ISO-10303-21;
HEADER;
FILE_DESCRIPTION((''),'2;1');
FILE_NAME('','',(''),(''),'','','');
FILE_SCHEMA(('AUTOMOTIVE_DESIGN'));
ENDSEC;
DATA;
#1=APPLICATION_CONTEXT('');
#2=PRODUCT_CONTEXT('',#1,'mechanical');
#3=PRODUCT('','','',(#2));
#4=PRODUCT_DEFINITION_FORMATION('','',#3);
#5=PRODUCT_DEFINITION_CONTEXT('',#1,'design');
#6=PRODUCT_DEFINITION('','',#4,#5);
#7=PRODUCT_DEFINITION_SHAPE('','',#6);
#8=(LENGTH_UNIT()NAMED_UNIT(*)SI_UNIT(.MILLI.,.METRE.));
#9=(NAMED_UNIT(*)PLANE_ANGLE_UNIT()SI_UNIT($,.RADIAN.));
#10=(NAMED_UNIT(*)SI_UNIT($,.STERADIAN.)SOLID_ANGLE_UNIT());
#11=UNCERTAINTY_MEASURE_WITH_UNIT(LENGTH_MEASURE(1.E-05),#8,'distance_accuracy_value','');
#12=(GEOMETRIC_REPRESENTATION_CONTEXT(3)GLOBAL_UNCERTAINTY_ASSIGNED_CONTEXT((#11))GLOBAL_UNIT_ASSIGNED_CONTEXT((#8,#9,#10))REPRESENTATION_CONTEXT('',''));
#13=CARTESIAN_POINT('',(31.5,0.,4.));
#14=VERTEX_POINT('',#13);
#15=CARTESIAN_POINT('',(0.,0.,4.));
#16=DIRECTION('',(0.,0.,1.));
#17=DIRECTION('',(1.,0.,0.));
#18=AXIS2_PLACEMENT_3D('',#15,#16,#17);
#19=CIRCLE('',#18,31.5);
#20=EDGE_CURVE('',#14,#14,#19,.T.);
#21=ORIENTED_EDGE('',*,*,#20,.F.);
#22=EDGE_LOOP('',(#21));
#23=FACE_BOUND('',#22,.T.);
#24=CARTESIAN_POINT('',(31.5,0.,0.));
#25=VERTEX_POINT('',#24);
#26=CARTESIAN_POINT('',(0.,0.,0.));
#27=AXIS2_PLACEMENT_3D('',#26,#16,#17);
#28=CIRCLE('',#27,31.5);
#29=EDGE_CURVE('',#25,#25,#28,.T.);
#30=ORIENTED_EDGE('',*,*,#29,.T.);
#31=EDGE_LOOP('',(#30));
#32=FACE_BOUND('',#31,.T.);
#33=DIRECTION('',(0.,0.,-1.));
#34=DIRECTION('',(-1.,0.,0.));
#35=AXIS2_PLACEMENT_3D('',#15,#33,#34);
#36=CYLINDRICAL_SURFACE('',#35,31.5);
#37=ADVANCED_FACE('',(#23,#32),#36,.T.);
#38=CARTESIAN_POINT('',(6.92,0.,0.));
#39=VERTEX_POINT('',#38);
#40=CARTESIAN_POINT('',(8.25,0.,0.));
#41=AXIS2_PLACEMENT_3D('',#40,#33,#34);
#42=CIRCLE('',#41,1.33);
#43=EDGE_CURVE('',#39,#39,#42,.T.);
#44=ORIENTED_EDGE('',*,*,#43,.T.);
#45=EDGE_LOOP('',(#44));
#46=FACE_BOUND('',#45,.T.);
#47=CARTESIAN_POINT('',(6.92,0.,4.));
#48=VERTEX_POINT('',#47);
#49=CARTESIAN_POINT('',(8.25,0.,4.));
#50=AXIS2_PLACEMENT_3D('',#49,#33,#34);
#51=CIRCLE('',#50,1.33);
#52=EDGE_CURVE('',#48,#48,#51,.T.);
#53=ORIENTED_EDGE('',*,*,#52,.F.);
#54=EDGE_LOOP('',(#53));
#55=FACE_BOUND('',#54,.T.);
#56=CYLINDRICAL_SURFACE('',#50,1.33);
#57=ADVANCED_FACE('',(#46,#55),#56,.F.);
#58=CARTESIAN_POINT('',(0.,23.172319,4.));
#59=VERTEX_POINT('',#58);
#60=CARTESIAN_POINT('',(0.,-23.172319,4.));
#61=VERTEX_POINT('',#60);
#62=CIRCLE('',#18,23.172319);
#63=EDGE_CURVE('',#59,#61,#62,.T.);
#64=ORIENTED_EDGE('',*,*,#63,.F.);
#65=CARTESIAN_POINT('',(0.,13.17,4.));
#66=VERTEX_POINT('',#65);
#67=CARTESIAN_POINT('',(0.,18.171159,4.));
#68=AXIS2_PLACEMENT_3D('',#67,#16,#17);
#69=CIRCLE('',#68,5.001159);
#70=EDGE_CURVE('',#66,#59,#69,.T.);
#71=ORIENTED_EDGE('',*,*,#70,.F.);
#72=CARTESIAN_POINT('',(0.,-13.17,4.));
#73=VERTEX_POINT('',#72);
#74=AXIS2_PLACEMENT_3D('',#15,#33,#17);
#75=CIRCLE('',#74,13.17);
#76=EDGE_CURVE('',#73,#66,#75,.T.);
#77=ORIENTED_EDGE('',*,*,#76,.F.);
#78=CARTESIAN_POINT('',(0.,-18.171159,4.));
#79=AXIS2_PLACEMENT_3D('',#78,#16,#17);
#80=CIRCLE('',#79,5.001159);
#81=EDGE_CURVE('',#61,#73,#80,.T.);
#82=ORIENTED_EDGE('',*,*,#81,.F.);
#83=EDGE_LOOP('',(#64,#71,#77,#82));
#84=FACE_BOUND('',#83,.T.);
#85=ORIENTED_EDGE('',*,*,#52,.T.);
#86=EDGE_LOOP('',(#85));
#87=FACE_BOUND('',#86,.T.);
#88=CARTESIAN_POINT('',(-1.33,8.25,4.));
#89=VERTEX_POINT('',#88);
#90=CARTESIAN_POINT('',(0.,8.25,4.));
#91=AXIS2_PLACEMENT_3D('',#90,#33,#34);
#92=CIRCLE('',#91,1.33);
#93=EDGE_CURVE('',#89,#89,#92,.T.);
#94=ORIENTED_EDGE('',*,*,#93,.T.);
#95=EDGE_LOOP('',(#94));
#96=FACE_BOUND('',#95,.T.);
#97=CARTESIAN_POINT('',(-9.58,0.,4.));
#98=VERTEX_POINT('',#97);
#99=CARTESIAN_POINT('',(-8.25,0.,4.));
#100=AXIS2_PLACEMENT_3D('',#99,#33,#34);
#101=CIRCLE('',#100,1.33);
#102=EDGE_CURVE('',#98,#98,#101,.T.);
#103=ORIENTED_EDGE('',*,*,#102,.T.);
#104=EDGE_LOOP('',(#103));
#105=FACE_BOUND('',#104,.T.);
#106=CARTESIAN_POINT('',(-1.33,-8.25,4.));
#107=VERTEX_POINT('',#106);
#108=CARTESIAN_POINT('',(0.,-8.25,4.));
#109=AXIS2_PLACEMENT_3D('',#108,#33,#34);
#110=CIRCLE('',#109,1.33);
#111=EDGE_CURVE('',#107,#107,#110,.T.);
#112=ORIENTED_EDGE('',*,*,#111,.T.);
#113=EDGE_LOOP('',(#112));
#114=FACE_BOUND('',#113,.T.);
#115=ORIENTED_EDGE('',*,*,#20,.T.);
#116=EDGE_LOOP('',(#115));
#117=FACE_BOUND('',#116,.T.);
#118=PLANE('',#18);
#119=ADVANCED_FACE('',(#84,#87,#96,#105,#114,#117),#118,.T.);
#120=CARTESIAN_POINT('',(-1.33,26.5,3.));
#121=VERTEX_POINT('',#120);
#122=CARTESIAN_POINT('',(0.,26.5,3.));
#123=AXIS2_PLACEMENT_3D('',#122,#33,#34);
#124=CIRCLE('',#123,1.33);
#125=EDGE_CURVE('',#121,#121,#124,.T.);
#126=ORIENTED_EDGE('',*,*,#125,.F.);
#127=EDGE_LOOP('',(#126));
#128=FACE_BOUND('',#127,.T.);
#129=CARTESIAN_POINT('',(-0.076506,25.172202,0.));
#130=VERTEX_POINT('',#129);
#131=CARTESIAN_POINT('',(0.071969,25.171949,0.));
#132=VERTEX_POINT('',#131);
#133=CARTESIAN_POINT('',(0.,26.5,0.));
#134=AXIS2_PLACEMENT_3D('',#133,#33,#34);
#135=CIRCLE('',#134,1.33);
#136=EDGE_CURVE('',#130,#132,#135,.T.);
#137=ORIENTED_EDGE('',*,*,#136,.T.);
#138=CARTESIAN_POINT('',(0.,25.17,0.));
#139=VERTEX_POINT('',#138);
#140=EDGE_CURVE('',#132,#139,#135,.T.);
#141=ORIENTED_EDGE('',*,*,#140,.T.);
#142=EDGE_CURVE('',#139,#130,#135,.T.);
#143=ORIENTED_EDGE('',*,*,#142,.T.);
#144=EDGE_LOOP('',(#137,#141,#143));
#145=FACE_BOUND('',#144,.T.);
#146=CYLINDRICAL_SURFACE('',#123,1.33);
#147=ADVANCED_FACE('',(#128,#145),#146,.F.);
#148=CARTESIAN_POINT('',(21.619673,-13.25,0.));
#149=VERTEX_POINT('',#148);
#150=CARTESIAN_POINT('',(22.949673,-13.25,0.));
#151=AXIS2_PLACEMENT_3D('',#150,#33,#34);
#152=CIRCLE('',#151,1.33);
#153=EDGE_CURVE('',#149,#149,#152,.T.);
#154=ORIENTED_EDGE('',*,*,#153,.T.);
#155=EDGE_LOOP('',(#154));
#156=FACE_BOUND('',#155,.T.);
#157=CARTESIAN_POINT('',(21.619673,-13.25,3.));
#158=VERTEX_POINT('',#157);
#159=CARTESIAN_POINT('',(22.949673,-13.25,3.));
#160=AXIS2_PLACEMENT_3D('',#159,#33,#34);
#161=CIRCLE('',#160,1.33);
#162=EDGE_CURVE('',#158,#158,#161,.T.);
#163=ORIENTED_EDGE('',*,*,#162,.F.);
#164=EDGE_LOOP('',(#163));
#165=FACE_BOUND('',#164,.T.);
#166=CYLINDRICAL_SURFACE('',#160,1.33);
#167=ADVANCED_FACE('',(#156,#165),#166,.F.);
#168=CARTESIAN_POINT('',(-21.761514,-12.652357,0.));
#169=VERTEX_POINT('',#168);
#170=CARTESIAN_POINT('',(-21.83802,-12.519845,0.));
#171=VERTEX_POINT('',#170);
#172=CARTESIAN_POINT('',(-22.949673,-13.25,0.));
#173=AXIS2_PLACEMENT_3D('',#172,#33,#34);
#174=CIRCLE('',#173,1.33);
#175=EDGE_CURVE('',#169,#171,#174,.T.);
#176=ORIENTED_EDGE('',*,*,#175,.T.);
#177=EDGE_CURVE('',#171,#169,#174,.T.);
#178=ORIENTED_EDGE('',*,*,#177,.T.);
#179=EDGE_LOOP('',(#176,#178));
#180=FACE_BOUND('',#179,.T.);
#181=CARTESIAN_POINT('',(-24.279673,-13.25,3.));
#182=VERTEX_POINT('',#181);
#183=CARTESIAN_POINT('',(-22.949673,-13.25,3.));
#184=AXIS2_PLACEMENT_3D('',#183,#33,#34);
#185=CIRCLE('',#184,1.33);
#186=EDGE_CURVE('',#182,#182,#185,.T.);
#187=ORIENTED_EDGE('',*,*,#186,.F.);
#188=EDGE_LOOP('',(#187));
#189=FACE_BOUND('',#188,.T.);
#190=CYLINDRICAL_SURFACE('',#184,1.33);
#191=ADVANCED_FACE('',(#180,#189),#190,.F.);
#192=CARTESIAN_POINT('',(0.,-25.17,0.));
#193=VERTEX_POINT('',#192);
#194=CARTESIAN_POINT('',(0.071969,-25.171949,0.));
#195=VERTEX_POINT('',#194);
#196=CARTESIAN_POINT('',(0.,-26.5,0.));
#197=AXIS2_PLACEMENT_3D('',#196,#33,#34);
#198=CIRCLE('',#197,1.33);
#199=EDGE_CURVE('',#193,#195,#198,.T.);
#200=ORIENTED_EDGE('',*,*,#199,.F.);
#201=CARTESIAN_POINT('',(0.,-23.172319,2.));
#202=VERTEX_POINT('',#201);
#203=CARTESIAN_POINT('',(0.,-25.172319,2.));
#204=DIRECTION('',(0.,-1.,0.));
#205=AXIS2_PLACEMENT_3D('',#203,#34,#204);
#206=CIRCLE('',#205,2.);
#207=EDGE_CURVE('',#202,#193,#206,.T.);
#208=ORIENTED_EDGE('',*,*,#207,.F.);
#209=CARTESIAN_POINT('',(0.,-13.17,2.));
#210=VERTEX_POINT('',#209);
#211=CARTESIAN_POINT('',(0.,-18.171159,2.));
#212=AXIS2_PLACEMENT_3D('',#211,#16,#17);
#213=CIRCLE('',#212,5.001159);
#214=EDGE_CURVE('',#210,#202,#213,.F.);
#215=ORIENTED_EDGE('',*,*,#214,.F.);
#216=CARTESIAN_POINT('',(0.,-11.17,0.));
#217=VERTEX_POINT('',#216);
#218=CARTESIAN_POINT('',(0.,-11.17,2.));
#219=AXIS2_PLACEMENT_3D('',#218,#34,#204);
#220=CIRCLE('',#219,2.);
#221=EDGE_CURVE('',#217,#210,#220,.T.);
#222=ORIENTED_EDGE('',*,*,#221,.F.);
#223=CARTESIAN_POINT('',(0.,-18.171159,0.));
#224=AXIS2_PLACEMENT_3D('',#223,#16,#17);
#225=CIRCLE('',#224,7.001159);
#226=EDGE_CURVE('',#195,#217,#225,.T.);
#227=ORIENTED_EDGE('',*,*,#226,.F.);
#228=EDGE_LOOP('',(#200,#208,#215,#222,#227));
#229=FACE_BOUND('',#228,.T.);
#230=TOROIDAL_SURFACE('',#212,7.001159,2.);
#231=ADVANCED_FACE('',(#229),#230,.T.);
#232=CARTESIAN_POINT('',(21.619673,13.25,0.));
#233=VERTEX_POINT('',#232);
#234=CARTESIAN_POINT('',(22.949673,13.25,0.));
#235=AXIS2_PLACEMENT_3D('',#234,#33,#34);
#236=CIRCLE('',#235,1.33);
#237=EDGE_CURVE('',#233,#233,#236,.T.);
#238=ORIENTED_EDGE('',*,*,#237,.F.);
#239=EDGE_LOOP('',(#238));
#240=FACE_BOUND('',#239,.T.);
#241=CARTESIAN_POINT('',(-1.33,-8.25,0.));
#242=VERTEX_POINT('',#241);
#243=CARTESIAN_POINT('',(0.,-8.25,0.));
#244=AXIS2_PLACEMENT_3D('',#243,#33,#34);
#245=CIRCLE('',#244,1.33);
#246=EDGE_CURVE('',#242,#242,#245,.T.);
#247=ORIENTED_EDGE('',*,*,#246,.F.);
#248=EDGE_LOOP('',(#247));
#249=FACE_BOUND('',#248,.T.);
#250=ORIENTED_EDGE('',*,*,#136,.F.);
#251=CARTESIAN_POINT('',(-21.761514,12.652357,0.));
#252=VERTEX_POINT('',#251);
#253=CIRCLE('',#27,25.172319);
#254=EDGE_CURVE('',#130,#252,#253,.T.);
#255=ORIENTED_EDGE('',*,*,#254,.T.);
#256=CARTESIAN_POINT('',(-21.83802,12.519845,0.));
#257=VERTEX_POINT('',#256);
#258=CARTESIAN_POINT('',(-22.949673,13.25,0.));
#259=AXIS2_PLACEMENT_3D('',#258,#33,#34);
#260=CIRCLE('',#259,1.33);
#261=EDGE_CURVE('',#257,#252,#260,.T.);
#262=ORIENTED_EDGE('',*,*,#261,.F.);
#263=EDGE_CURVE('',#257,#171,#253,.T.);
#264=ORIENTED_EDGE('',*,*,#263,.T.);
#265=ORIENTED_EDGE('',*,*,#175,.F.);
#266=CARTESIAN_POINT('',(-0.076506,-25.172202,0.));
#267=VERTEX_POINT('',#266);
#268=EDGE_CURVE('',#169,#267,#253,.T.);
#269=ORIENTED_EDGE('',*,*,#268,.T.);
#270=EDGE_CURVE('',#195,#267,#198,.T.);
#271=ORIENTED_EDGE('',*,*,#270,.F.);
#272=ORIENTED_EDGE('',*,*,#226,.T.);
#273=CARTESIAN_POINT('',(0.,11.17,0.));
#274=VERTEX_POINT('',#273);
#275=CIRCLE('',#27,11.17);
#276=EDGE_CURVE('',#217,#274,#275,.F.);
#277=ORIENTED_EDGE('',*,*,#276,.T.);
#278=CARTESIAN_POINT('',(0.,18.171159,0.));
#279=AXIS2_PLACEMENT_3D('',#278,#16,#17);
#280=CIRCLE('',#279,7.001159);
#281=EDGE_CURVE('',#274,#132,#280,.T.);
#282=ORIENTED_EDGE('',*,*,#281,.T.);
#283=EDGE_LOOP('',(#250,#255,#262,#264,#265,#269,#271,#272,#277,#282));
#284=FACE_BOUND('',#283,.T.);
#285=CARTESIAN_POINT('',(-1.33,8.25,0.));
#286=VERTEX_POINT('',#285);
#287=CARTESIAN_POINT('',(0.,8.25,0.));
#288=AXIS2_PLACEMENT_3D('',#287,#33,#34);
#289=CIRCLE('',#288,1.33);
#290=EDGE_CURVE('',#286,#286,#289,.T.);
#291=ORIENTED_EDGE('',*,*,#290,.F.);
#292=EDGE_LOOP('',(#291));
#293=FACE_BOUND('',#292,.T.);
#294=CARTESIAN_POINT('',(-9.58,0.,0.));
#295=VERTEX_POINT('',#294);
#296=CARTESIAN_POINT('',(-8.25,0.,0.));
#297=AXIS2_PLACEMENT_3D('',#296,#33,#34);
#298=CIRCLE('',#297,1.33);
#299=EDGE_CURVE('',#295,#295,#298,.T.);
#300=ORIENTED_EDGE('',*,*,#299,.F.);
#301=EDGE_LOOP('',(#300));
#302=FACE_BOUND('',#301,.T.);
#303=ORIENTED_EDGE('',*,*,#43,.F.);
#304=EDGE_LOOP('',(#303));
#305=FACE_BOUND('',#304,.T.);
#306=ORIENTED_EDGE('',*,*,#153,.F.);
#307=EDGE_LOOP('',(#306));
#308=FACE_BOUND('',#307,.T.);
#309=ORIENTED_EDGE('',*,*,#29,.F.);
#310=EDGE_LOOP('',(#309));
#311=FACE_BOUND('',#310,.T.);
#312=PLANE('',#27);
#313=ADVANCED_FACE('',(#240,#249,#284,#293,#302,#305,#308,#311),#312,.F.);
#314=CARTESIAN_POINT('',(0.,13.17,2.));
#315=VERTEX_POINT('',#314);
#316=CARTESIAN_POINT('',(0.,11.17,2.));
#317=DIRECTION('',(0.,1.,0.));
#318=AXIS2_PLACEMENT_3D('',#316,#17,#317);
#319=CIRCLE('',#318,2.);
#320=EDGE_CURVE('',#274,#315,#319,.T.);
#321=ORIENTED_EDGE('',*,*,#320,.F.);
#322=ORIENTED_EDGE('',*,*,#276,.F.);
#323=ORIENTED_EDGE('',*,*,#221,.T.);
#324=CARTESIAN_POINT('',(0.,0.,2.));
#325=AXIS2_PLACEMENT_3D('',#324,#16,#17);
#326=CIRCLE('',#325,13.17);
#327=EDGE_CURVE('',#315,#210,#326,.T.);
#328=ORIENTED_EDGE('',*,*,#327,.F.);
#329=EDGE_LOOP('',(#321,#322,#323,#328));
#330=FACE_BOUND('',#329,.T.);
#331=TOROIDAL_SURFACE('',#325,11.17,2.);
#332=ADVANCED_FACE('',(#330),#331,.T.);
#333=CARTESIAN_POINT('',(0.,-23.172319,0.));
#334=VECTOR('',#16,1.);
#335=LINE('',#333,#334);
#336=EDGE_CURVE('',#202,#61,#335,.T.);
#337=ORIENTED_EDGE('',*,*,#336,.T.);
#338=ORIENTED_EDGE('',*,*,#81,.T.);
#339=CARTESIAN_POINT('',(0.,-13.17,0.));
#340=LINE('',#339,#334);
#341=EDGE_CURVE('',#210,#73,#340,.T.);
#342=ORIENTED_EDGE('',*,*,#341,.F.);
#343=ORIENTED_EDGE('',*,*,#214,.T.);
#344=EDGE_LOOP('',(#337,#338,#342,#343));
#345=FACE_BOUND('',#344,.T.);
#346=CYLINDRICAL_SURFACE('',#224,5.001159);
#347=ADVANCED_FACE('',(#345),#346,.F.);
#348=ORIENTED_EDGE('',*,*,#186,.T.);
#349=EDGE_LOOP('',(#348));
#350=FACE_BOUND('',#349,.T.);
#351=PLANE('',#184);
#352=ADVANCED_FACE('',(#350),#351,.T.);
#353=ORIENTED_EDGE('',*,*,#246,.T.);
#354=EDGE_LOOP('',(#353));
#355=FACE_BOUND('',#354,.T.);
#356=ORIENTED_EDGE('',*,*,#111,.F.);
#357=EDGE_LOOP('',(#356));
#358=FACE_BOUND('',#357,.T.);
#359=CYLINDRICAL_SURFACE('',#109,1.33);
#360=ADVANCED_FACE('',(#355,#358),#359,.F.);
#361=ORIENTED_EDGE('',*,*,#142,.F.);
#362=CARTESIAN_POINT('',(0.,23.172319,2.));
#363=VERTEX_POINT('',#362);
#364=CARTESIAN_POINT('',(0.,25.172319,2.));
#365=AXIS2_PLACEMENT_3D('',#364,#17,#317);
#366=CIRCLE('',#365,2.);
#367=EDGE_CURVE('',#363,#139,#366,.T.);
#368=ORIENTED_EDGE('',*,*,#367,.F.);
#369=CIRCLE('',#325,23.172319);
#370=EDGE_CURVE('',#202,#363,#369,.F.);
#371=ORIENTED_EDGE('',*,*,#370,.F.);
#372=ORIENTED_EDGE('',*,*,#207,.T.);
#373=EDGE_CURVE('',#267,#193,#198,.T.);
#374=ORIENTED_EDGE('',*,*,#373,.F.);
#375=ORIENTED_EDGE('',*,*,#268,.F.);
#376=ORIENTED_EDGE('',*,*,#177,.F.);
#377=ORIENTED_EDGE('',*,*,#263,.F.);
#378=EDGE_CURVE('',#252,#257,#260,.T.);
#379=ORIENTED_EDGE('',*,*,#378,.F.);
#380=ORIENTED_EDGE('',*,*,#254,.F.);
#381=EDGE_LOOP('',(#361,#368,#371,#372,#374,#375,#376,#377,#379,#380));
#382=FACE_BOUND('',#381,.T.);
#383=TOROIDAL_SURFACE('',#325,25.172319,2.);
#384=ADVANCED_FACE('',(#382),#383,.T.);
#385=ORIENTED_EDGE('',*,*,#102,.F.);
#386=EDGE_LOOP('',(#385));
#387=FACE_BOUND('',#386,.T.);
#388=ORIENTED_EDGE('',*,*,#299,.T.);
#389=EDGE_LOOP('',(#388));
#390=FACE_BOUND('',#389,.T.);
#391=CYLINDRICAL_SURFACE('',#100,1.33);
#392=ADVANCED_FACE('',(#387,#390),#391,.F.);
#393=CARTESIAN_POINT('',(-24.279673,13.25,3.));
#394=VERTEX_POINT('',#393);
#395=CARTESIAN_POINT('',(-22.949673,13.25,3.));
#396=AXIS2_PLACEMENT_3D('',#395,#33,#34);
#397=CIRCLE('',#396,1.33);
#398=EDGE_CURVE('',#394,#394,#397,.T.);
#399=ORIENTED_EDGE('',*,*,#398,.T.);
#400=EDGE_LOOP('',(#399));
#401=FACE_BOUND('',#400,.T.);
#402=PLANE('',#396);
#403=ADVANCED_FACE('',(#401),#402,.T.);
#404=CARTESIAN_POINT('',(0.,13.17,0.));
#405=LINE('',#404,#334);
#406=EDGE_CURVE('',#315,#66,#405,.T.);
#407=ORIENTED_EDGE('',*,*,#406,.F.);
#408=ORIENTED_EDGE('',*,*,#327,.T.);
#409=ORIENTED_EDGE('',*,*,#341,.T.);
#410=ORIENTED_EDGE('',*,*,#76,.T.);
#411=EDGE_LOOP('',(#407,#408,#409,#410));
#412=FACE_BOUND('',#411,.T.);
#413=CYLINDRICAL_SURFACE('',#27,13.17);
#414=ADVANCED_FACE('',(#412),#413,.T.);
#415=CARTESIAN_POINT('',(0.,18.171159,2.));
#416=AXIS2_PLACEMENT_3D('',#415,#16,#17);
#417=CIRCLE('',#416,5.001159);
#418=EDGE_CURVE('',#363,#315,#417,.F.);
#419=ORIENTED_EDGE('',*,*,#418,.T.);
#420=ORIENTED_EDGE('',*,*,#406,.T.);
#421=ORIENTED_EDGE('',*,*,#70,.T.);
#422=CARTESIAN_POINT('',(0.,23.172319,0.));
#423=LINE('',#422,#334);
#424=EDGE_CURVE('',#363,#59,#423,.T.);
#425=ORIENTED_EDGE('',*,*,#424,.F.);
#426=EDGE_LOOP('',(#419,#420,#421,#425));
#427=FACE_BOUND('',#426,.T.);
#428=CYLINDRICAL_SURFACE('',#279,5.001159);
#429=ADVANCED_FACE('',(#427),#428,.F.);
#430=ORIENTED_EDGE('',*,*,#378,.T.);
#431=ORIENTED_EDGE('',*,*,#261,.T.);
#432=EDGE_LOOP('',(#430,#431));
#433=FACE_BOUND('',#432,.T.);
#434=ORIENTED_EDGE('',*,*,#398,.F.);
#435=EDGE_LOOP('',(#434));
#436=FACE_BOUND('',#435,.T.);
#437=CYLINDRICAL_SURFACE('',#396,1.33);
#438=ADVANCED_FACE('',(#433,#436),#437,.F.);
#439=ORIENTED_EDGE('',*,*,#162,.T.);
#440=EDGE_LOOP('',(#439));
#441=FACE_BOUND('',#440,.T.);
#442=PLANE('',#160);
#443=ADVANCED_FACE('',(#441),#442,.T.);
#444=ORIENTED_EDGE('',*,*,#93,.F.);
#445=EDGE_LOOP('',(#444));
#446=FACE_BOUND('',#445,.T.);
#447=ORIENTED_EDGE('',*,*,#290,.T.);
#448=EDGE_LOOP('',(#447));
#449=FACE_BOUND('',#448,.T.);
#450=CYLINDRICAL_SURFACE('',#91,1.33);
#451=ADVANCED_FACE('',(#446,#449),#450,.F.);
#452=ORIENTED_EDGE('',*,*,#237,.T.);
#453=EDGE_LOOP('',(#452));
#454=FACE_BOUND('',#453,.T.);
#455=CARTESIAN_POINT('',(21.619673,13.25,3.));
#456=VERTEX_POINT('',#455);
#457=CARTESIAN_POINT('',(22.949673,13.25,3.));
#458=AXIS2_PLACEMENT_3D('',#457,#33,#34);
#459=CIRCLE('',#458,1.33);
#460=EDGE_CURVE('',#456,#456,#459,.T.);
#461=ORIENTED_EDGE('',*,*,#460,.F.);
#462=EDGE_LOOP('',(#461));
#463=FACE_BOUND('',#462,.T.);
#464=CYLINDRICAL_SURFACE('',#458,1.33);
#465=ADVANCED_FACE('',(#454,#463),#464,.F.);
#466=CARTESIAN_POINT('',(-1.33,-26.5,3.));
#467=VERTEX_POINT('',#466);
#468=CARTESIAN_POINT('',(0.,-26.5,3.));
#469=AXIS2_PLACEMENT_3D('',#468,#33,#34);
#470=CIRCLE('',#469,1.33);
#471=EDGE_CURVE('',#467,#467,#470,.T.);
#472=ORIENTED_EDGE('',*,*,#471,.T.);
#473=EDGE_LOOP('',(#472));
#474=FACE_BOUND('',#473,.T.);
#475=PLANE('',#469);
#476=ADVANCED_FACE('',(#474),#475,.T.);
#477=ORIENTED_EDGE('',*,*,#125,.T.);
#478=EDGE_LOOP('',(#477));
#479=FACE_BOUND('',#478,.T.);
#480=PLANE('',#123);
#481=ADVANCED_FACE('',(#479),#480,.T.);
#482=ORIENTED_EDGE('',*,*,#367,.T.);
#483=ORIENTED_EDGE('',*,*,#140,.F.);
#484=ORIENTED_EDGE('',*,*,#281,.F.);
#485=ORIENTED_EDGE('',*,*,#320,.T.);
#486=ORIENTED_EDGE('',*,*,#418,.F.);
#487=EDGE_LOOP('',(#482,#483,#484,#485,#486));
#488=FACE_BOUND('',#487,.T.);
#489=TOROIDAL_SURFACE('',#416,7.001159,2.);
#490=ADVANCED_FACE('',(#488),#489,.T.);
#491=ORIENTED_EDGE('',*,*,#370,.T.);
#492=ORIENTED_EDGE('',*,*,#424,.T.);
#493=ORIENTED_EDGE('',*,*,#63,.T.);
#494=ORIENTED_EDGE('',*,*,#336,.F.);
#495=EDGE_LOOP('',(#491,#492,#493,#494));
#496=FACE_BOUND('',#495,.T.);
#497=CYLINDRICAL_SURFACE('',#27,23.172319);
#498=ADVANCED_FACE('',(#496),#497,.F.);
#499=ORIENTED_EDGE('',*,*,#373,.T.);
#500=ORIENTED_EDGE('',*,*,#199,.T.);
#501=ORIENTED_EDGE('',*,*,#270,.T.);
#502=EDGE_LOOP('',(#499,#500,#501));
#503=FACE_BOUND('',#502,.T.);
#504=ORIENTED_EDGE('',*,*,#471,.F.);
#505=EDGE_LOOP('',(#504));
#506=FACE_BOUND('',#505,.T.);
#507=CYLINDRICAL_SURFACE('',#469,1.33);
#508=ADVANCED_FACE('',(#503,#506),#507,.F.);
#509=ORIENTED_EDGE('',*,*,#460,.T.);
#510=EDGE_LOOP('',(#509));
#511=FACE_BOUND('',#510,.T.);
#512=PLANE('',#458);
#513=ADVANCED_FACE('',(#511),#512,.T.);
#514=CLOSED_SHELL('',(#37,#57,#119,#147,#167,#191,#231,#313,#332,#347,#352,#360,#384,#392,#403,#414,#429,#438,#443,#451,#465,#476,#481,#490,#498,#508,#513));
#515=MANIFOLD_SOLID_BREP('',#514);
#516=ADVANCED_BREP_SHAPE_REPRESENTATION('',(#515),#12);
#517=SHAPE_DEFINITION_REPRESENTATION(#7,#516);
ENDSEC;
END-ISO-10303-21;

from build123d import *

# Parameters (mm, degrees)
SKETCH1_R              = 31.5
ELBOW_PLATE_DEPTH      = 4
SKETCH2_R              = 1.33
HORN_SCREW_HOLES_DEPTH = 4
SKETCH3_R              = 1.33
SCREW_HOLES_DEPTH      = 3
CABLE_SLOT_DEPTH       = 4
FILLET1_R              = 2


with BuildPart() as part:
    # Sketch1 → Elbow Plate (new body)
    with BuildSketch(Plane.XY):
        Circle(SKETCH1_R)
    extrude(amount=ELBOW_PLATE_DEPTH)

    # Sketch2 → Horn Screw Holes (cut)
    with BuildSketch(Plane(origin=(0, 0, 0), x_dir=(-1, 0, 0), z_dir=(0, 0, -1))):
        with Locations((0, 8.25)):
            Circle(SKETCH2_R)
        with Locations((8.25, 0)):
            Circle(SKETCH2_R)
        with Locations((0, -8.25)):
            Circle(SKETCH2_R)
        with Locations((-8.25, 0)):
            Circle(SKETCH2_R)
    extrude(amount=-HORN_SCREW_HOLES_DEPTH, mode=Mode.SUBTRACT)

    # Sketch3 → Screw Holes (cut)
    with BuildSketch(Plane(origin=(0, 0, 0), x_dir=(-1, 0, 0), z_dir=(0, 0, -1))):
        with Locations((22.9496732, 13.25)):
            Circle(SKETCH3_R)
        with Locations((0, 26.5)):
            Circle(SKETCH3_R)
        with Locations((22.9496732, -13.25)):
            Circle(SKETCH3_R)
        with Locations((0, -26.5)):
            Circle(SKETCH3_R)
        with Locations((-22.9496732, -13.25)):
            Circle(SKETCH3_R)
        with Locations((-22.9496732, 13.25)):
            Circle(SKETCH3_R)
    extrude(amount=-SCREW_HOLES_DEPTH, mode=Mode.SUBTRACT)

    # Sketch4 → Cable Slot (cut)
    with BuildSketch(Plane.XY.offset(4)):
        with BuildLine():
            ThreePointArc((0, -23.172318516), (5.001159258, -18.171159258), (0, -13.17))
            ThreePointArc((0, -13.17), (-13.17, 0), (0, 13.17))
            ThreePointArc((0, 13.17), (5.001159258, 18.171159258), (0, 23.172318516))
            ThreePointArc((0, 23.172318516), (-23.172318516, 0), (0, -23.172318516))
        make_face()
    extrude(amount=-CABLE_SLOT_DEPTH, mode=Mode.SUBTRACT)

    # Fillet1
    fillet1_edges = [part.edges().sort_by_distance(p)[0] for p in [
        (-23.172318516, 0, 0),
        (5.001159258, 18.171159258, 0),
        (-13.17, 0, 0),
        (5.001159258, -18.171159258, 0),
    ]]
    fillet(fillet1_edges, radius=FILLET1_R)


solid = part.part
